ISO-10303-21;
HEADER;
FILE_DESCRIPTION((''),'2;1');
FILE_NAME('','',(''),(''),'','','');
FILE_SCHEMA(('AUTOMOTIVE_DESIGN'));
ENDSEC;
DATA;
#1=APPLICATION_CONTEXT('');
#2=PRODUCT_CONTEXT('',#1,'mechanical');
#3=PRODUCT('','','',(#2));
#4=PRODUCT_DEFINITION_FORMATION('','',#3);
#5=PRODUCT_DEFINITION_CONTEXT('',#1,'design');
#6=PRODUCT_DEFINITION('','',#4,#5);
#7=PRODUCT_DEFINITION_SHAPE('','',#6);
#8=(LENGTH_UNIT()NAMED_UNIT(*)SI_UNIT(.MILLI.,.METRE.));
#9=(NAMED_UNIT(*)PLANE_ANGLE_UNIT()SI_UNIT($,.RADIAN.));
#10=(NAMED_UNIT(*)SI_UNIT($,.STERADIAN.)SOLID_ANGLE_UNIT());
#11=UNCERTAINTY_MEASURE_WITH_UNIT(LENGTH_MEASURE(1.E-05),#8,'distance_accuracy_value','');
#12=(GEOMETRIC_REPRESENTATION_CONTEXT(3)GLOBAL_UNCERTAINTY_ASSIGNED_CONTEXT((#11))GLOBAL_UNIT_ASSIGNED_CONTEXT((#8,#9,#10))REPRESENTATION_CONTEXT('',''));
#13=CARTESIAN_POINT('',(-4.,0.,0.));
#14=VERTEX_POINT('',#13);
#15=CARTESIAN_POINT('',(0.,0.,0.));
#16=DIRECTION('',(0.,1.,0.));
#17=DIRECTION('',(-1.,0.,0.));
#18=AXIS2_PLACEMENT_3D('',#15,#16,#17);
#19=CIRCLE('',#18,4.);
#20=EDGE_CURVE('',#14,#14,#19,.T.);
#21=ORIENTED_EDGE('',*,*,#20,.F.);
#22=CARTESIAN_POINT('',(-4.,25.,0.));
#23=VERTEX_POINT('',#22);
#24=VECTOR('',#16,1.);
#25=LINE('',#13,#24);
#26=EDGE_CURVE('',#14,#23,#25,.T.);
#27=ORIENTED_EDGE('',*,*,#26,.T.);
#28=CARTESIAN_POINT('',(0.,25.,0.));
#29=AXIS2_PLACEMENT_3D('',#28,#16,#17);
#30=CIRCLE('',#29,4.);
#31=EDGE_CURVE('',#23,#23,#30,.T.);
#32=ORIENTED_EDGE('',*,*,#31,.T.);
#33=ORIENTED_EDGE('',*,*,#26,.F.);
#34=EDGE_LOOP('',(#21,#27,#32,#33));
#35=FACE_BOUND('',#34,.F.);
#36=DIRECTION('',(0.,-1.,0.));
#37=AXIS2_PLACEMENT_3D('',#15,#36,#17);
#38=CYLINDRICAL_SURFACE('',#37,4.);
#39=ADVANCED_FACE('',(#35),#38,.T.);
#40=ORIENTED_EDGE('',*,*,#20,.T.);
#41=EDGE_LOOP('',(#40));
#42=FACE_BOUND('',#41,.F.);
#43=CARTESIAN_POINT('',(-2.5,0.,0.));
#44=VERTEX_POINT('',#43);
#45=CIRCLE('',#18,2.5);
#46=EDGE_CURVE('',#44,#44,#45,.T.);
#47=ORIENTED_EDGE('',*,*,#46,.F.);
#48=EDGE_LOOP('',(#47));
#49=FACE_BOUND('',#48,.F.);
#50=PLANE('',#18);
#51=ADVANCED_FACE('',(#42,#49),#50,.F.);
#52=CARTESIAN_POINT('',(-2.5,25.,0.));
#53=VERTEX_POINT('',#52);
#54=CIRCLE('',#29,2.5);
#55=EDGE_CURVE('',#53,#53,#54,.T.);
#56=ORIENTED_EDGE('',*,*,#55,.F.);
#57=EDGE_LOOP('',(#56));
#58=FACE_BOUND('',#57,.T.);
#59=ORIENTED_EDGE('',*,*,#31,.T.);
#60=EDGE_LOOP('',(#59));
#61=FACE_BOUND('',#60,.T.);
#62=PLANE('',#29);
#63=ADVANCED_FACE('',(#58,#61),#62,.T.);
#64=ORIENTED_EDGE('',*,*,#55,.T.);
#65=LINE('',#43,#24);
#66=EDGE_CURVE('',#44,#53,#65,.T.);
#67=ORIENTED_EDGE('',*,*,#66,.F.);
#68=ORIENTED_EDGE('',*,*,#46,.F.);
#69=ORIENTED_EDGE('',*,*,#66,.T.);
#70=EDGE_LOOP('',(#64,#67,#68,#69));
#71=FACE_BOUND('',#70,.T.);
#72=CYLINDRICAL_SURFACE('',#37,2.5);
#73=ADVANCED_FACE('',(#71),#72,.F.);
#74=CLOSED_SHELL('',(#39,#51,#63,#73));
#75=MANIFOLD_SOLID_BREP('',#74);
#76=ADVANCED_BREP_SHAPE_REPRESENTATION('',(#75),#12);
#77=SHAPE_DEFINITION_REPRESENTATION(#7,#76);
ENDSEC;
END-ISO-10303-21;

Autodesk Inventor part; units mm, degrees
ref_plane "YZ Plane" through (0, 0, 0) normal (1, 0, 0) x (0, 1, 0)
ref_plane "XZ Plane" through (0, 0, 0) normal (0, 1, 0) x (-1, 0, 0)
ref_plane "XY Plane" through (0, 0, 0) normal (0, 0, 1) x (1, 0, 0)
sketch "Sketch1" plane through (0, 0, 0) normal (0, 1, 0) x (-1, 0, 0)
  circle A0 centre (0, 0) radius 2.5
  circle A1 centre (0, 0) radius 4
  dimension "d0" = 5
  dimension "d1" = 1.5
extrude "Extrusion1" add sketch "Sketch1" along normal blind 25
properties part number "pilar_corto"
